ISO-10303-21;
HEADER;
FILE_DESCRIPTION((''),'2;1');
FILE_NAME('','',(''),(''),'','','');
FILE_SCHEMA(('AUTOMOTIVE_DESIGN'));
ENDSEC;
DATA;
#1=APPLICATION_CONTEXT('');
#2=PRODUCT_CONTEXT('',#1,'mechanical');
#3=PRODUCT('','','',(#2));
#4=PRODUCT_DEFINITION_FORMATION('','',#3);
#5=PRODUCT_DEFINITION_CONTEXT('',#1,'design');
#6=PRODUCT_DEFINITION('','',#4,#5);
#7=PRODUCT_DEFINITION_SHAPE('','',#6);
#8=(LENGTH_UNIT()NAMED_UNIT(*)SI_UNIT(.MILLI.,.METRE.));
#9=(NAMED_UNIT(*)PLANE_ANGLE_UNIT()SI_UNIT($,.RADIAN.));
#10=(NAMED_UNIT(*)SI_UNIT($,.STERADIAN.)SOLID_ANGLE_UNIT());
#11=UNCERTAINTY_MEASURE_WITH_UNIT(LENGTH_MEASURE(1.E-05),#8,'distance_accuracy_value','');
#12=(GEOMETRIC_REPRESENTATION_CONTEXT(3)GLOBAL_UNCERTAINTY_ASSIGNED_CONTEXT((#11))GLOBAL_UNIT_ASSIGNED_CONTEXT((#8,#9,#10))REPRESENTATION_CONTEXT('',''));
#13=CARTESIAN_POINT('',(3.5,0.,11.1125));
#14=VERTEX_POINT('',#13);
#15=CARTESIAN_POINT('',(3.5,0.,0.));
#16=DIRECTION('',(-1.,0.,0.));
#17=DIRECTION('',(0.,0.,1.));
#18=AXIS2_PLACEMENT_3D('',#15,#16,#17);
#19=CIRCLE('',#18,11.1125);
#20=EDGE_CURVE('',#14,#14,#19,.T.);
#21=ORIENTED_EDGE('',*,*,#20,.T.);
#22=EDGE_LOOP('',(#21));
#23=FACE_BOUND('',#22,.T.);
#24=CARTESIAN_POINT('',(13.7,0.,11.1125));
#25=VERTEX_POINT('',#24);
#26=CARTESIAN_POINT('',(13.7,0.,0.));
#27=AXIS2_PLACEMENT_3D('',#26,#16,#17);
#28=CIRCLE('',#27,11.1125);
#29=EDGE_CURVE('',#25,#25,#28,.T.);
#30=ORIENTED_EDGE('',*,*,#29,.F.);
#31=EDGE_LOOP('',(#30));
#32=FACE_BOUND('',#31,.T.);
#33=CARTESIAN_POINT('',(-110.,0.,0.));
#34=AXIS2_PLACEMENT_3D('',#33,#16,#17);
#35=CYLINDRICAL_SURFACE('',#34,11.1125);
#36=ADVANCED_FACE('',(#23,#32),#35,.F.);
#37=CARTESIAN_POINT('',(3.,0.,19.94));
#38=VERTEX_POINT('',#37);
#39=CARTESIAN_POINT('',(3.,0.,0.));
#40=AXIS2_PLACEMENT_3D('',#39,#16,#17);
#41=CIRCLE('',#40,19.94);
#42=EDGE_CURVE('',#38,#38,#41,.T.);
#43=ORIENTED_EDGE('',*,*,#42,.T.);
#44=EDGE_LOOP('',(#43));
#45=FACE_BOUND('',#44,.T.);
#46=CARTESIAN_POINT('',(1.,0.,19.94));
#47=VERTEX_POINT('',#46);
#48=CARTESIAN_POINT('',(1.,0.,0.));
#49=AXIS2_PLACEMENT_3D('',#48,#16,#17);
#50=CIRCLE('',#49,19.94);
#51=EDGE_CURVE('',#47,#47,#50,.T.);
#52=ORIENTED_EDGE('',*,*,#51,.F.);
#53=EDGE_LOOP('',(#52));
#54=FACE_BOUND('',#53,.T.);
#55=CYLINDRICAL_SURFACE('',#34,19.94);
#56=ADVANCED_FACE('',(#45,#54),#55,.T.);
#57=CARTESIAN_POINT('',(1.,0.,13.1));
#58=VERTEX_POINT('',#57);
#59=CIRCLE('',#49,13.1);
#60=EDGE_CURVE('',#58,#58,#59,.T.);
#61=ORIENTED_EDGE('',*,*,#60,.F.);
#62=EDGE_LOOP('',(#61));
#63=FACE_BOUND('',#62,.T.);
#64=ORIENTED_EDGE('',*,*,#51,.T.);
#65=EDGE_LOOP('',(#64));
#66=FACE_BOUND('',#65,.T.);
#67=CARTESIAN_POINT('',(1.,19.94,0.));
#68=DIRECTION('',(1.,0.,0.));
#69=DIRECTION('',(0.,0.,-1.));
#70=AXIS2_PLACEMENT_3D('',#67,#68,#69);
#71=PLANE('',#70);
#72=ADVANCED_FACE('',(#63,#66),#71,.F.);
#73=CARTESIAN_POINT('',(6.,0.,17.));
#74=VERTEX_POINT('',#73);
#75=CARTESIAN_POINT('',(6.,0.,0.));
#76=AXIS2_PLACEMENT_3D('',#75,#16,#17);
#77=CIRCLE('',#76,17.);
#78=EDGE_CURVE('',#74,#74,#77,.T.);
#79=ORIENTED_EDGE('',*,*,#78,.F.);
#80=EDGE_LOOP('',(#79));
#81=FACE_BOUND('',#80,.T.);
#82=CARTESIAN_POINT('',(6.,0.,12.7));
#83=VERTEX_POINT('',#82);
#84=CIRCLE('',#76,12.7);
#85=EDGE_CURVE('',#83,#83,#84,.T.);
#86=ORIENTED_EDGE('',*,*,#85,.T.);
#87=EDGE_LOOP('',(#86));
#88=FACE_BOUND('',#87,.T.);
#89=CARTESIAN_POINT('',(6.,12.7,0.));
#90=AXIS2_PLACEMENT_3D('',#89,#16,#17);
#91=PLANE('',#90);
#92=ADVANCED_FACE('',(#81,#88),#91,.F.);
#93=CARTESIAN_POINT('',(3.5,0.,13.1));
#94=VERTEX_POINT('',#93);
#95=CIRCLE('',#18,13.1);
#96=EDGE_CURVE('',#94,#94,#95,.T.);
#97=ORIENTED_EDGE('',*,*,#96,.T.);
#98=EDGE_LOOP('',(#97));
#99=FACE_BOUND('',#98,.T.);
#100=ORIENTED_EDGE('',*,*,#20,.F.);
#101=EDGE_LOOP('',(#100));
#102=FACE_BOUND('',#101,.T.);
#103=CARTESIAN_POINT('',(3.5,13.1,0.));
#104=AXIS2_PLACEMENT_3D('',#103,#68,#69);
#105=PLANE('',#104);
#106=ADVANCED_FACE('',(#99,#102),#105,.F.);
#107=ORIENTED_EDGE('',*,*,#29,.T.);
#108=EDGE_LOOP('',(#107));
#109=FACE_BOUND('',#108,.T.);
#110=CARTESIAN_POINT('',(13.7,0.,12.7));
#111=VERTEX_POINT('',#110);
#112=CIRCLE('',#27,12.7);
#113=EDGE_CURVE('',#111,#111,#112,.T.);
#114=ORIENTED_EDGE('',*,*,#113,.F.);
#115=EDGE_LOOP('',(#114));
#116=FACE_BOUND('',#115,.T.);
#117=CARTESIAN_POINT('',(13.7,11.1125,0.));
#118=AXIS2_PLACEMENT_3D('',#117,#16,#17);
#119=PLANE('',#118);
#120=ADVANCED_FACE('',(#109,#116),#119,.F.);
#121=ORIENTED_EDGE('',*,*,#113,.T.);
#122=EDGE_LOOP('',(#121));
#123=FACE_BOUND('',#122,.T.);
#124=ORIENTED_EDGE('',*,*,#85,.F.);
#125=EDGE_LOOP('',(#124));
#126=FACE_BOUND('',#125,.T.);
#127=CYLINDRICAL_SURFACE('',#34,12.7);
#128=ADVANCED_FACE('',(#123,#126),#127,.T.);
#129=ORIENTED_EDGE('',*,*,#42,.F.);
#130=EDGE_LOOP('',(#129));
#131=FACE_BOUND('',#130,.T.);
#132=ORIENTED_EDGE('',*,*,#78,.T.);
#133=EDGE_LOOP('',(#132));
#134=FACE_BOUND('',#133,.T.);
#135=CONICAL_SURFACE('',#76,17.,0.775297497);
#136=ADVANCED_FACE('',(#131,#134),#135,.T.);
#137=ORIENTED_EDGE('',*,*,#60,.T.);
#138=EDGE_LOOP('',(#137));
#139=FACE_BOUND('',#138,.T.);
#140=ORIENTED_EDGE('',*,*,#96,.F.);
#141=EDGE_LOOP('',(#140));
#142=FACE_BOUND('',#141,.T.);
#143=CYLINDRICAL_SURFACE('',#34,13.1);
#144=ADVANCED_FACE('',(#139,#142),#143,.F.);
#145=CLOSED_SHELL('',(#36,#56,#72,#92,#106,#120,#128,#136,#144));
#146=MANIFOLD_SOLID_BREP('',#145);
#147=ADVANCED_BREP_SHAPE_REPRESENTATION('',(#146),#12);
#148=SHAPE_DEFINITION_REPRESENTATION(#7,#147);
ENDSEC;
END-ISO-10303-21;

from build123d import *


with BuildPart() as part:
    # Axial profile (mm) → Full revolution (revolve)
    with BuildSketch(Plane.XY, mode=Mode.PRIVATE) as full_revolution_sk:
        Polygon((3.5, 11.1125), (13.7, 11.1125), (13.7, 12.7), (6, 12.7), (6, 17), (3, 19.94), (1, 19.94), (1, 13.1), (3.5, 13.1), align=None)
    revolve(full_revolution_sk.sketch.rotate(Axis((-110, 0, 0), (1, 0, 0)), 90), axis=Axis((-110, 0, 0), (1, 0, 0)))


solid = part.part
